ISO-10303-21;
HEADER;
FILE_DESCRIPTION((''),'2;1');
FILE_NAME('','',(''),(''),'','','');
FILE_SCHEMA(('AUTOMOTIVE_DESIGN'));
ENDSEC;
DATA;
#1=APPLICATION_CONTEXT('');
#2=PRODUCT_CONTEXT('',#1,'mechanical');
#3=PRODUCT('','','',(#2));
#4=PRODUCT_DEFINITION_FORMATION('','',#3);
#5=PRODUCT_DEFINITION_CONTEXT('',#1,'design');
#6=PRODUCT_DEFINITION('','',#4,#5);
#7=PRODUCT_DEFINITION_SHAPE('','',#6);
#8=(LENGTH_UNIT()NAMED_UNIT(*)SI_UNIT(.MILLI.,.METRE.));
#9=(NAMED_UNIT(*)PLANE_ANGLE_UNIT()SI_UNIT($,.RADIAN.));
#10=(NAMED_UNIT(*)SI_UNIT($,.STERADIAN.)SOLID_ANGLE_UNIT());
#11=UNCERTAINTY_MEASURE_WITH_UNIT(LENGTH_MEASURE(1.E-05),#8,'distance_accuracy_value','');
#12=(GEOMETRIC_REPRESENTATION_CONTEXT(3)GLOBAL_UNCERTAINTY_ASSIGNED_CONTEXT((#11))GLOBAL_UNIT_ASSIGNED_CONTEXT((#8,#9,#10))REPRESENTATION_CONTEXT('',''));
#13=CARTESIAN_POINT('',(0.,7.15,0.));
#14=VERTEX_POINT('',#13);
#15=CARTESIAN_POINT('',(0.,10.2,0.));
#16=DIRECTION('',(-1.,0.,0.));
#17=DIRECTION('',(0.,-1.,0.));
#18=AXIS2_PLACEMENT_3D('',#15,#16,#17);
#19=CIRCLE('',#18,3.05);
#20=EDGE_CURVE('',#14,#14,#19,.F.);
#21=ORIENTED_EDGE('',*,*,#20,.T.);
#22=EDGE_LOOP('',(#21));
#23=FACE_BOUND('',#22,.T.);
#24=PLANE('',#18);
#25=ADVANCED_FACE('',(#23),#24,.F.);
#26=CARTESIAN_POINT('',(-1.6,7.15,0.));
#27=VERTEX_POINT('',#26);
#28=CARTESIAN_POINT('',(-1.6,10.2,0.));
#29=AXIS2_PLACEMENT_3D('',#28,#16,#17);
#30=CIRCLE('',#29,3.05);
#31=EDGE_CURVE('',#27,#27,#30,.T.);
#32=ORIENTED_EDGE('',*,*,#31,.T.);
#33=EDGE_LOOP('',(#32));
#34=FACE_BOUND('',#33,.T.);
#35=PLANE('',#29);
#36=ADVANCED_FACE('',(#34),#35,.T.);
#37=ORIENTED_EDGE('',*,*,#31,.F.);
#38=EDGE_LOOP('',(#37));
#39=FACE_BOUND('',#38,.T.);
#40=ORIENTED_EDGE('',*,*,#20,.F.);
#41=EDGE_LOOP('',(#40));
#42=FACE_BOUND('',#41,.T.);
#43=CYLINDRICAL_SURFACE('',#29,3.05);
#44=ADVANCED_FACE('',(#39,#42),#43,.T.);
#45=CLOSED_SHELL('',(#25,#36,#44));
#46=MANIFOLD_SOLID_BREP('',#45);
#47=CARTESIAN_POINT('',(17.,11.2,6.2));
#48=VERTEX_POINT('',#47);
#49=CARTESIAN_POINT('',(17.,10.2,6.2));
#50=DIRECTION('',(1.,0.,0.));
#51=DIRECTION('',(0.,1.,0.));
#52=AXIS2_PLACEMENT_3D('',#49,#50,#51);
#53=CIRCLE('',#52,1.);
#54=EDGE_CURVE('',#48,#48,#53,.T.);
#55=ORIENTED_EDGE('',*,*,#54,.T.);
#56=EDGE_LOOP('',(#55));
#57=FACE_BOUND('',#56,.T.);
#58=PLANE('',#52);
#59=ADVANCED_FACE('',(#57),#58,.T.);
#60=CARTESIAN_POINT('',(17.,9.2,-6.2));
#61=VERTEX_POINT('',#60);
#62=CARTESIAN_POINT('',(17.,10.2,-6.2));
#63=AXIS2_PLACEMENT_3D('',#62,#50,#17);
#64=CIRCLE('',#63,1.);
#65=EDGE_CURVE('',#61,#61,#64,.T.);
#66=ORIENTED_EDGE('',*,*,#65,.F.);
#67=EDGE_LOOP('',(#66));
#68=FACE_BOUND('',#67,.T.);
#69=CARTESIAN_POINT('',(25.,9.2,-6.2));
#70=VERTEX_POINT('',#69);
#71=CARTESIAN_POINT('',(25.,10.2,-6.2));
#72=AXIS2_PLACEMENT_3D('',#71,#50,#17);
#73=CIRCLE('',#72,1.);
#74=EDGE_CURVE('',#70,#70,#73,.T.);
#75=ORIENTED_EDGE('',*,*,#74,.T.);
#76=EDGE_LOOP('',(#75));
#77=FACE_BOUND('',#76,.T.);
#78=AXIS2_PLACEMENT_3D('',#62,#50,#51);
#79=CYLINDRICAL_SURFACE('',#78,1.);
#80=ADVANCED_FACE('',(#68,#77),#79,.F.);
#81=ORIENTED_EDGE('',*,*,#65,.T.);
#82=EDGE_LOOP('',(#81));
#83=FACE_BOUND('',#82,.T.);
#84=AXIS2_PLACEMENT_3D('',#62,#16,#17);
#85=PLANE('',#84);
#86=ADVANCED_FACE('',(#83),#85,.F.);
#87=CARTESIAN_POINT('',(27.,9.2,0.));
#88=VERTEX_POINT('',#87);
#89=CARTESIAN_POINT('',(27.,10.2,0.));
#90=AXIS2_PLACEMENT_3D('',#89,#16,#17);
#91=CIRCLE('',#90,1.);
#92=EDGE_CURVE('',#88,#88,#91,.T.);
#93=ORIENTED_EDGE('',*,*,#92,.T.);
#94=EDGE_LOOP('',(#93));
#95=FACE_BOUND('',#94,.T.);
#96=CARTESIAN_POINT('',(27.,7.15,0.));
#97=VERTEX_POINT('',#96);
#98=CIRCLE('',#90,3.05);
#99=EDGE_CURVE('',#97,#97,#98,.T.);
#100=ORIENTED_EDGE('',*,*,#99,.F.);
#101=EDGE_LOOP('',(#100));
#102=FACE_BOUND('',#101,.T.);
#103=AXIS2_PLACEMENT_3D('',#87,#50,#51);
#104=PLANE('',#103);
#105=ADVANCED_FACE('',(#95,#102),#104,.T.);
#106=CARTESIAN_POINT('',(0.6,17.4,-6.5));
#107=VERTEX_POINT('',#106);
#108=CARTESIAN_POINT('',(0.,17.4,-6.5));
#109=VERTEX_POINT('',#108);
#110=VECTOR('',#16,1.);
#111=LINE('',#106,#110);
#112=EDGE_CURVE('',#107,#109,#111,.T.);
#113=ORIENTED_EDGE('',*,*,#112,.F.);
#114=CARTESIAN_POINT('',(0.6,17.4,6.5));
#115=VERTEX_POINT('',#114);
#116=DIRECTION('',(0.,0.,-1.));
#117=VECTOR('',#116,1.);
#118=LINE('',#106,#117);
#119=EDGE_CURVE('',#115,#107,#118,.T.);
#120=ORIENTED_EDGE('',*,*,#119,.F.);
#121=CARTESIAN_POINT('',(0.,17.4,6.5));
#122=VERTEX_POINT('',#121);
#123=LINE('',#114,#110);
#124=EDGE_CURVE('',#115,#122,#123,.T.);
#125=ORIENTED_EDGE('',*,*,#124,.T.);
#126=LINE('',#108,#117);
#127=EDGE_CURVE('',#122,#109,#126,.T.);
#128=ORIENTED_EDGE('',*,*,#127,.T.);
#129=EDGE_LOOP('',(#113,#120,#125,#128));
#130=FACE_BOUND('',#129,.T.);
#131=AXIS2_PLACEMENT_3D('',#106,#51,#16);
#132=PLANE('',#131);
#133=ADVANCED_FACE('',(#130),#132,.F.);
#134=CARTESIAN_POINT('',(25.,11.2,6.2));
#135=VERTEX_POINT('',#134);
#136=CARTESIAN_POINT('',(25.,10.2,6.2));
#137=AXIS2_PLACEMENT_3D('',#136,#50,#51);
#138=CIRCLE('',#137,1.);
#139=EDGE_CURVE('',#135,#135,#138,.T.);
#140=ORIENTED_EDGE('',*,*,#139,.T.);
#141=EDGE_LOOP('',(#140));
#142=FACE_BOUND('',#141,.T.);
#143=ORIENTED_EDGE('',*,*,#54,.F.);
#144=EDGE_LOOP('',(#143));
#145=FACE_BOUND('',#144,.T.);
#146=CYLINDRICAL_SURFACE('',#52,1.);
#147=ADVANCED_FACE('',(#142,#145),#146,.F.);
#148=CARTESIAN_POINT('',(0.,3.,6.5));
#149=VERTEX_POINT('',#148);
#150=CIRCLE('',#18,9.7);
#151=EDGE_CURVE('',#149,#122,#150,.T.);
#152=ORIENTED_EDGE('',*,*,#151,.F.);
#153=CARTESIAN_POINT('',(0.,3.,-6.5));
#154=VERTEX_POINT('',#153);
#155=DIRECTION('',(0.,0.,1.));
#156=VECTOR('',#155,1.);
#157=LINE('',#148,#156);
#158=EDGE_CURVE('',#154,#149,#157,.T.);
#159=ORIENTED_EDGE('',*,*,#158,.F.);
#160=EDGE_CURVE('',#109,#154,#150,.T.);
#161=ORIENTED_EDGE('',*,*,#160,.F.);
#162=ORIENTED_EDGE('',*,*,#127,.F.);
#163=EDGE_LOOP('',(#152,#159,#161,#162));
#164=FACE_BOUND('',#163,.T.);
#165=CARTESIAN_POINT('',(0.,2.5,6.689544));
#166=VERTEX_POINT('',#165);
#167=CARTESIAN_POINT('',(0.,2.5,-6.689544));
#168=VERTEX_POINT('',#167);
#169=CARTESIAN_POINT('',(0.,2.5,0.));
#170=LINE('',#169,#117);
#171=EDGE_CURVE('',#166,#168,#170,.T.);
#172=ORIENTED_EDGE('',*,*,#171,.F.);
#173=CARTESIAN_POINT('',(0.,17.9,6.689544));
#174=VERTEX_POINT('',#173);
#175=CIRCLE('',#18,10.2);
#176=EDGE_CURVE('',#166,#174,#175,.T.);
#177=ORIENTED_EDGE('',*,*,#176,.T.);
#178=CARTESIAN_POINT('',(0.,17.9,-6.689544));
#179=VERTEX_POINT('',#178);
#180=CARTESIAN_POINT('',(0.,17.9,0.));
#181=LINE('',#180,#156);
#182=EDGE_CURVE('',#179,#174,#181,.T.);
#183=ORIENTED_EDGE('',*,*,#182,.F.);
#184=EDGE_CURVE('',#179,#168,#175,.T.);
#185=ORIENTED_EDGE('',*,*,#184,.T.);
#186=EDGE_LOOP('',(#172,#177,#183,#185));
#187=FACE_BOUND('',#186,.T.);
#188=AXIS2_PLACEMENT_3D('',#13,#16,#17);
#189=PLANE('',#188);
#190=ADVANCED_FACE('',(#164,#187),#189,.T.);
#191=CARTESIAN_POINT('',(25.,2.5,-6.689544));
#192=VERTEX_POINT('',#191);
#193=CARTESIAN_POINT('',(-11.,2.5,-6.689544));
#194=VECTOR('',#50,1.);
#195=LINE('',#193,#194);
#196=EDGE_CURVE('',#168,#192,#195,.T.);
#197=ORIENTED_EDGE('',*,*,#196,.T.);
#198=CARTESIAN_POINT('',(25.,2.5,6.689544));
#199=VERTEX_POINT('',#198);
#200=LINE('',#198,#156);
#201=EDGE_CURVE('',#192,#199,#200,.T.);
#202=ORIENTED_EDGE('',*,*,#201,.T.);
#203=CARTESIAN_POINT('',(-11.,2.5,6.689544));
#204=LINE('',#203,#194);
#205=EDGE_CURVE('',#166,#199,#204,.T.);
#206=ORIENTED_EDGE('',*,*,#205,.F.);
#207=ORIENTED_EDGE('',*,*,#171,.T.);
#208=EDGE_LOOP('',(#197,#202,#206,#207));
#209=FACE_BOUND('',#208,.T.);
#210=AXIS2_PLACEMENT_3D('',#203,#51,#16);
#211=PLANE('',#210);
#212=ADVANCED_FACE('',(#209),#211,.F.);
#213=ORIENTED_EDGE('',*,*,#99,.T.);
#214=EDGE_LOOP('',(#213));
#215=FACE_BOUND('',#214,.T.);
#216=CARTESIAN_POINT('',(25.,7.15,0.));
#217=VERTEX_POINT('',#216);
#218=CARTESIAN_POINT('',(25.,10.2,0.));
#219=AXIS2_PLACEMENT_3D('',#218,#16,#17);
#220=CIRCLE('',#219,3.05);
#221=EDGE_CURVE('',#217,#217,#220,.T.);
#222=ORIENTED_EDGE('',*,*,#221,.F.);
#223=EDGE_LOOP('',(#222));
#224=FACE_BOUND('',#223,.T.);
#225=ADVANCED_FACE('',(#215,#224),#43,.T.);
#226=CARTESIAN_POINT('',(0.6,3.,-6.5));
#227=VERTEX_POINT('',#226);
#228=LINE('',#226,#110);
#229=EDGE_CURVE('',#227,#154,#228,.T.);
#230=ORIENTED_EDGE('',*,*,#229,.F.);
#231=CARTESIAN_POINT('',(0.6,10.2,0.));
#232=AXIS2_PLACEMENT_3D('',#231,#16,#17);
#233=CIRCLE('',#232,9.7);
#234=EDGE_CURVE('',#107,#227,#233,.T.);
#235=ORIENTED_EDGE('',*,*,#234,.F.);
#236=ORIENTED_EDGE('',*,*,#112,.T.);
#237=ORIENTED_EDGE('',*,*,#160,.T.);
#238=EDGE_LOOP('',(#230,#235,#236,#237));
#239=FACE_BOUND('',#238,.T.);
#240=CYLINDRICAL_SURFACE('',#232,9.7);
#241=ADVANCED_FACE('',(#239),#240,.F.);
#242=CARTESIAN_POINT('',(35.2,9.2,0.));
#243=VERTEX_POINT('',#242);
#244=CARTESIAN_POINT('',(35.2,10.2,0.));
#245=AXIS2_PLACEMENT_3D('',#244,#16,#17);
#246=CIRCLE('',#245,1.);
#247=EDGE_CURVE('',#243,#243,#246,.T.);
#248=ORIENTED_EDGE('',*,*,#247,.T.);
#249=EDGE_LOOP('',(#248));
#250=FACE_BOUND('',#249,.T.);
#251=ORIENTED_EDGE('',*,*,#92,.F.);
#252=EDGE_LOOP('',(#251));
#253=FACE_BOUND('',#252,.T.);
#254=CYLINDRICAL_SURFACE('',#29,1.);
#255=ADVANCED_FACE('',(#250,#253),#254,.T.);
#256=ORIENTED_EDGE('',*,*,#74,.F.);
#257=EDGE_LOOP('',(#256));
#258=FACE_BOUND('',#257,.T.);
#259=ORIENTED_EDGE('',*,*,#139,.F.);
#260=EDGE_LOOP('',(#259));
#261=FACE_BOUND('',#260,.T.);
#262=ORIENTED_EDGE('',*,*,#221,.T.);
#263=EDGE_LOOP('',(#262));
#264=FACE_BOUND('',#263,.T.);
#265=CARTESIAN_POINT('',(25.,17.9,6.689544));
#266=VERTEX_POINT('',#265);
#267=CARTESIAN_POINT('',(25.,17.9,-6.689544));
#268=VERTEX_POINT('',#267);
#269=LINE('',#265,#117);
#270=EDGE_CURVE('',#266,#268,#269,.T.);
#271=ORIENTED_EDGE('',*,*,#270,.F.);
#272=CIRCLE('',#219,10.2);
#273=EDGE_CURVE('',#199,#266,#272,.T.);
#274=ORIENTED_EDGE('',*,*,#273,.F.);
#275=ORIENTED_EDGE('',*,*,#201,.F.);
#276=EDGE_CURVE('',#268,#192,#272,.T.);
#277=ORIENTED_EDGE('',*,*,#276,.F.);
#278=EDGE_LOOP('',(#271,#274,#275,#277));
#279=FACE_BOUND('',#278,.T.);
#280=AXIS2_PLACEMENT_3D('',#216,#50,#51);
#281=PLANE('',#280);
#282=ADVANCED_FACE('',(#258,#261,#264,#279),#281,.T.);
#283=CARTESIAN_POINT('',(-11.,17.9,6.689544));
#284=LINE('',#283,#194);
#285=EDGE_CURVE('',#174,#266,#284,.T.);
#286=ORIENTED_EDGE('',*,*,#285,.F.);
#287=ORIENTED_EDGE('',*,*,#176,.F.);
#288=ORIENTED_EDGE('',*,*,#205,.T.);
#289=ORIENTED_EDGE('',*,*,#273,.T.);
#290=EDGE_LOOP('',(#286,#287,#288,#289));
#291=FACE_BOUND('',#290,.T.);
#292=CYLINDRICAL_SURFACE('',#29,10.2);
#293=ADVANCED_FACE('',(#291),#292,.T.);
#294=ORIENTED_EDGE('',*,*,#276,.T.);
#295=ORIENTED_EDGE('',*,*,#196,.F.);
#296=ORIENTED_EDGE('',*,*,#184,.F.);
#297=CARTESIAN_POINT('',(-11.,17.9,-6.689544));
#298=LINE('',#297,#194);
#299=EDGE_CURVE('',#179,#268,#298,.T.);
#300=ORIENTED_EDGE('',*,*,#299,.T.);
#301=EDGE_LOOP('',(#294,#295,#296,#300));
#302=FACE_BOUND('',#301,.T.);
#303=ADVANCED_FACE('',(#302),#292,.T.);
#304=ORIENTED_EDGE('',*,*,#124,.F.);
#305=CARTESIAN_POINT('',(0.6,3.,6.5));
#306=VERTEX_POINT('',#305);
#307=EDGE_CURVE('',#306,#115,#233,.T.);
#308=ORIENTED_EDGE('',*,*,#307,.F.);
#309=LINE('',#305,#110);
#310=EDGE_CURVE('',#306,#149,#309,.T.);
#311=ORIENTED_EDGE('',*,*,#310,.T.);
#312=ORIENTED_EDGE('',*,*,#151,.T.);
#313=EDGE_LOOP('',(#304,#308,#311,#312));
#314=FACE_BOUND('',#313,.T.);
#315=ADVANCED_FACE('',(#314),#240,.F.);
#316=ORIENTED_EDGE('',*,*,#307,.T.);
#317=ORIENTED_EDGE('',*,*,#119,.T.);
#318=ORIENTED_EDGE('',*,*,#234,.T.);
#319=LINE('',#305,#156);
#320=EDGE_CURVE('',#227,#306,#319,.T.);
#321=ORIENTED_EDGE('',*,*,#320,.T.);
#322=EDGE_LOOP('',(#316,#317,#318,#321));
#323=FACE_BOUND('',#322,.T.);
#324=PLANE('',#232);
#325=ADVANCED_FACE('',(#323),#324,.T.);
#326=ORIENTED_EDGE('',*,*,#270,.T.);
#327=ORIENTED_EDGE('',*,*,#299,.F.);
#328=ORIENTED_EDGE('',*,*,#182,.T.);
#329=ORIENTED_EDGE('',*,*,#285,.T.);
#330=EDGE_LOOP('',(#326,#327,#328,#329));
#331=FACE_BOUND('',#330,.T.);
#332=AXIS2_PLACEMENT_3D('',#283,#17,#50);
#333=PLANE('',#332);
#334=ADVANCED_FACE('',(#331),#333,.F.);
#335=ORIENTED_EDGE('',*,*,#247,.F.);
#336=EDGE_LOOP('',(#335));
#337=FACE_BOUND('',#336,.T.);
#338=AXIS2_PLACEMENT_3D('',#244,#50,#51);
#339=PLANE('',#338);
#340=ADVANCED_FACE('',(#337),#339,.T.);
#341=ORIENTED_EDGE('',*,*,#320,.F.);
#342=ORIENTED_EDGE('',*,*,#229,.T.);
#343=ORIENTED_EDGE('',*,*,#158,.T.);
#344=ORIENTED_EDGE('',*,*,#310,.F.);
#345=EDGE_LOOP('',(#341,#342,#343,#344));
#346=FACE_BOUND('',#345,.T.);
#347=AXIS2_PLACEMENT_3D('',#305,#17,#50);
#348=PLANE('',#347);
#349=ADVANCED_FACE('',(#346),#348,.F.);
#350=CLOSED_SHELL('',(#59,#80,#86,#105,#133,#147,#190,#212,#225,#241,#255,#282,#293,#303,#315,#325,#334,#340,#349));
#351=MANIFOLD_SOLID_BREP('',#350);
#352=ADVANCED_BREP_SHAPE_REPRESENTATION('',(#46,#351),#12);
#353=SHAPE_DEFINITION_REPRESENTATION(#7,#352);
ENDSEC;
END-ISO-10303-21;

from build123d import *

# Parameters (mm, degrees)
CUT_EXTRUDE_START   = -36
CUT_EXTRUDE_1_DEPTH = 36
SKETCH_3_R          = 1
CUT_EXTRUDE_2_DEPTH = 8
CUT_EXTRUDE_4_DEPTH = 0.6


with BuildPart() as part:
    # 草图1 → 旋转3 (revolve)
    with BuildSketch(Plane.XY):
        Polygon((25, 7.15), (25, 0), (0, 0), (0, 7.15), (-1.6, 7.15), (-1.6, 10.2), (35.2, 10.2), (35.2, 9.2), (27, 9.2), (27, 7.15), align=None)
    revolve(axis=Axis((-1.6, 10.2, 0), (1, 0, 0)))

    # 草图2 → 切除-拉伸1 (cut)
    with BuildSketch(Plane(origin=(25, 0, 0), x_dir=(0, 0, -1), z_dir=(1, 0, 0)).offset(CUT_EXTRUDE_START)):
        with BuildLine():
            Line((-6.68954408, 17.9), (6.68954408, 17.9))
            ThreePointArc((6.68954408, 17.9), (0, 20.4), (-6.68954408, 17.9))
        make_face()
        with BuildLine():
            Line((-6.68954408, 2.5), (6.68954408, 2.5))
            ThreePointArc((6.68954408, 2.5), (0, 0), (-6.68954408, 2.5))
        make_face()
    extrude(amount=CUT_EXTRUDE_1_DEPTH, mode=Mode.SUBTRACT)

    # 草图3 → 切除-拉伸2 (cut)
    with BuildSketch(Plane(origin=(25, 0, 0), x_dir=(0, 0, -1), z_dir=(1, 0, 0))):
        with Locations(Location((-6.2, 10.2, 0), (0, 0, 90))):
            Circle(SKETCH_3_R)
        with Locations(Location((6.2, 10.2, 0), (0, 0, 270))):
            Circle(SKETCH_3_R)
    extrude(amount=-CUT_EXTRUDE_2_DEPTH, mode=Mode.SUBTRACT)

    # 草图4 → 切除-拉伸4 (cut)
    with BuildSketch(Plane.ZY):
        with BuildLine():
            Line((6.5, 3), (-6.5, 3))
            ThreePointArc((-6.5, 3), (-9.7, 10.2), (-6.5, 17.4))
            Line((-6.5, 17.4), (6.5, 17.4))
            ThreePointArc((6.5, 17.4), (9.7, 10.2), (6.5, 3))
        make_face()
    extrude(amount=-CUT_EXTRUDE_4_DEPTH, mode=Mode.SUBTRACT)


with BuildPart() as cut_extrude_4_piece_1:
    # of the separate pieces the step leaves, piece 1, a body of its own (cut_extrude_4_pieces)
    add(part.part.solids().sort_by_distance((25, 2.5, -6.68954408))[0])


with BuildPart() as cut_extrude_4_piece_2:
    # of the separate pieces the step leaves, piece 2, a body of its own (cut_extrude_4_pieces)
    add(part.part.solids().sort_by_distance((0, 7.15, 0))[0])


solid = Compound([cut_extrude_4_piece_1.part, cut_extrude_4_piece_2.part])
